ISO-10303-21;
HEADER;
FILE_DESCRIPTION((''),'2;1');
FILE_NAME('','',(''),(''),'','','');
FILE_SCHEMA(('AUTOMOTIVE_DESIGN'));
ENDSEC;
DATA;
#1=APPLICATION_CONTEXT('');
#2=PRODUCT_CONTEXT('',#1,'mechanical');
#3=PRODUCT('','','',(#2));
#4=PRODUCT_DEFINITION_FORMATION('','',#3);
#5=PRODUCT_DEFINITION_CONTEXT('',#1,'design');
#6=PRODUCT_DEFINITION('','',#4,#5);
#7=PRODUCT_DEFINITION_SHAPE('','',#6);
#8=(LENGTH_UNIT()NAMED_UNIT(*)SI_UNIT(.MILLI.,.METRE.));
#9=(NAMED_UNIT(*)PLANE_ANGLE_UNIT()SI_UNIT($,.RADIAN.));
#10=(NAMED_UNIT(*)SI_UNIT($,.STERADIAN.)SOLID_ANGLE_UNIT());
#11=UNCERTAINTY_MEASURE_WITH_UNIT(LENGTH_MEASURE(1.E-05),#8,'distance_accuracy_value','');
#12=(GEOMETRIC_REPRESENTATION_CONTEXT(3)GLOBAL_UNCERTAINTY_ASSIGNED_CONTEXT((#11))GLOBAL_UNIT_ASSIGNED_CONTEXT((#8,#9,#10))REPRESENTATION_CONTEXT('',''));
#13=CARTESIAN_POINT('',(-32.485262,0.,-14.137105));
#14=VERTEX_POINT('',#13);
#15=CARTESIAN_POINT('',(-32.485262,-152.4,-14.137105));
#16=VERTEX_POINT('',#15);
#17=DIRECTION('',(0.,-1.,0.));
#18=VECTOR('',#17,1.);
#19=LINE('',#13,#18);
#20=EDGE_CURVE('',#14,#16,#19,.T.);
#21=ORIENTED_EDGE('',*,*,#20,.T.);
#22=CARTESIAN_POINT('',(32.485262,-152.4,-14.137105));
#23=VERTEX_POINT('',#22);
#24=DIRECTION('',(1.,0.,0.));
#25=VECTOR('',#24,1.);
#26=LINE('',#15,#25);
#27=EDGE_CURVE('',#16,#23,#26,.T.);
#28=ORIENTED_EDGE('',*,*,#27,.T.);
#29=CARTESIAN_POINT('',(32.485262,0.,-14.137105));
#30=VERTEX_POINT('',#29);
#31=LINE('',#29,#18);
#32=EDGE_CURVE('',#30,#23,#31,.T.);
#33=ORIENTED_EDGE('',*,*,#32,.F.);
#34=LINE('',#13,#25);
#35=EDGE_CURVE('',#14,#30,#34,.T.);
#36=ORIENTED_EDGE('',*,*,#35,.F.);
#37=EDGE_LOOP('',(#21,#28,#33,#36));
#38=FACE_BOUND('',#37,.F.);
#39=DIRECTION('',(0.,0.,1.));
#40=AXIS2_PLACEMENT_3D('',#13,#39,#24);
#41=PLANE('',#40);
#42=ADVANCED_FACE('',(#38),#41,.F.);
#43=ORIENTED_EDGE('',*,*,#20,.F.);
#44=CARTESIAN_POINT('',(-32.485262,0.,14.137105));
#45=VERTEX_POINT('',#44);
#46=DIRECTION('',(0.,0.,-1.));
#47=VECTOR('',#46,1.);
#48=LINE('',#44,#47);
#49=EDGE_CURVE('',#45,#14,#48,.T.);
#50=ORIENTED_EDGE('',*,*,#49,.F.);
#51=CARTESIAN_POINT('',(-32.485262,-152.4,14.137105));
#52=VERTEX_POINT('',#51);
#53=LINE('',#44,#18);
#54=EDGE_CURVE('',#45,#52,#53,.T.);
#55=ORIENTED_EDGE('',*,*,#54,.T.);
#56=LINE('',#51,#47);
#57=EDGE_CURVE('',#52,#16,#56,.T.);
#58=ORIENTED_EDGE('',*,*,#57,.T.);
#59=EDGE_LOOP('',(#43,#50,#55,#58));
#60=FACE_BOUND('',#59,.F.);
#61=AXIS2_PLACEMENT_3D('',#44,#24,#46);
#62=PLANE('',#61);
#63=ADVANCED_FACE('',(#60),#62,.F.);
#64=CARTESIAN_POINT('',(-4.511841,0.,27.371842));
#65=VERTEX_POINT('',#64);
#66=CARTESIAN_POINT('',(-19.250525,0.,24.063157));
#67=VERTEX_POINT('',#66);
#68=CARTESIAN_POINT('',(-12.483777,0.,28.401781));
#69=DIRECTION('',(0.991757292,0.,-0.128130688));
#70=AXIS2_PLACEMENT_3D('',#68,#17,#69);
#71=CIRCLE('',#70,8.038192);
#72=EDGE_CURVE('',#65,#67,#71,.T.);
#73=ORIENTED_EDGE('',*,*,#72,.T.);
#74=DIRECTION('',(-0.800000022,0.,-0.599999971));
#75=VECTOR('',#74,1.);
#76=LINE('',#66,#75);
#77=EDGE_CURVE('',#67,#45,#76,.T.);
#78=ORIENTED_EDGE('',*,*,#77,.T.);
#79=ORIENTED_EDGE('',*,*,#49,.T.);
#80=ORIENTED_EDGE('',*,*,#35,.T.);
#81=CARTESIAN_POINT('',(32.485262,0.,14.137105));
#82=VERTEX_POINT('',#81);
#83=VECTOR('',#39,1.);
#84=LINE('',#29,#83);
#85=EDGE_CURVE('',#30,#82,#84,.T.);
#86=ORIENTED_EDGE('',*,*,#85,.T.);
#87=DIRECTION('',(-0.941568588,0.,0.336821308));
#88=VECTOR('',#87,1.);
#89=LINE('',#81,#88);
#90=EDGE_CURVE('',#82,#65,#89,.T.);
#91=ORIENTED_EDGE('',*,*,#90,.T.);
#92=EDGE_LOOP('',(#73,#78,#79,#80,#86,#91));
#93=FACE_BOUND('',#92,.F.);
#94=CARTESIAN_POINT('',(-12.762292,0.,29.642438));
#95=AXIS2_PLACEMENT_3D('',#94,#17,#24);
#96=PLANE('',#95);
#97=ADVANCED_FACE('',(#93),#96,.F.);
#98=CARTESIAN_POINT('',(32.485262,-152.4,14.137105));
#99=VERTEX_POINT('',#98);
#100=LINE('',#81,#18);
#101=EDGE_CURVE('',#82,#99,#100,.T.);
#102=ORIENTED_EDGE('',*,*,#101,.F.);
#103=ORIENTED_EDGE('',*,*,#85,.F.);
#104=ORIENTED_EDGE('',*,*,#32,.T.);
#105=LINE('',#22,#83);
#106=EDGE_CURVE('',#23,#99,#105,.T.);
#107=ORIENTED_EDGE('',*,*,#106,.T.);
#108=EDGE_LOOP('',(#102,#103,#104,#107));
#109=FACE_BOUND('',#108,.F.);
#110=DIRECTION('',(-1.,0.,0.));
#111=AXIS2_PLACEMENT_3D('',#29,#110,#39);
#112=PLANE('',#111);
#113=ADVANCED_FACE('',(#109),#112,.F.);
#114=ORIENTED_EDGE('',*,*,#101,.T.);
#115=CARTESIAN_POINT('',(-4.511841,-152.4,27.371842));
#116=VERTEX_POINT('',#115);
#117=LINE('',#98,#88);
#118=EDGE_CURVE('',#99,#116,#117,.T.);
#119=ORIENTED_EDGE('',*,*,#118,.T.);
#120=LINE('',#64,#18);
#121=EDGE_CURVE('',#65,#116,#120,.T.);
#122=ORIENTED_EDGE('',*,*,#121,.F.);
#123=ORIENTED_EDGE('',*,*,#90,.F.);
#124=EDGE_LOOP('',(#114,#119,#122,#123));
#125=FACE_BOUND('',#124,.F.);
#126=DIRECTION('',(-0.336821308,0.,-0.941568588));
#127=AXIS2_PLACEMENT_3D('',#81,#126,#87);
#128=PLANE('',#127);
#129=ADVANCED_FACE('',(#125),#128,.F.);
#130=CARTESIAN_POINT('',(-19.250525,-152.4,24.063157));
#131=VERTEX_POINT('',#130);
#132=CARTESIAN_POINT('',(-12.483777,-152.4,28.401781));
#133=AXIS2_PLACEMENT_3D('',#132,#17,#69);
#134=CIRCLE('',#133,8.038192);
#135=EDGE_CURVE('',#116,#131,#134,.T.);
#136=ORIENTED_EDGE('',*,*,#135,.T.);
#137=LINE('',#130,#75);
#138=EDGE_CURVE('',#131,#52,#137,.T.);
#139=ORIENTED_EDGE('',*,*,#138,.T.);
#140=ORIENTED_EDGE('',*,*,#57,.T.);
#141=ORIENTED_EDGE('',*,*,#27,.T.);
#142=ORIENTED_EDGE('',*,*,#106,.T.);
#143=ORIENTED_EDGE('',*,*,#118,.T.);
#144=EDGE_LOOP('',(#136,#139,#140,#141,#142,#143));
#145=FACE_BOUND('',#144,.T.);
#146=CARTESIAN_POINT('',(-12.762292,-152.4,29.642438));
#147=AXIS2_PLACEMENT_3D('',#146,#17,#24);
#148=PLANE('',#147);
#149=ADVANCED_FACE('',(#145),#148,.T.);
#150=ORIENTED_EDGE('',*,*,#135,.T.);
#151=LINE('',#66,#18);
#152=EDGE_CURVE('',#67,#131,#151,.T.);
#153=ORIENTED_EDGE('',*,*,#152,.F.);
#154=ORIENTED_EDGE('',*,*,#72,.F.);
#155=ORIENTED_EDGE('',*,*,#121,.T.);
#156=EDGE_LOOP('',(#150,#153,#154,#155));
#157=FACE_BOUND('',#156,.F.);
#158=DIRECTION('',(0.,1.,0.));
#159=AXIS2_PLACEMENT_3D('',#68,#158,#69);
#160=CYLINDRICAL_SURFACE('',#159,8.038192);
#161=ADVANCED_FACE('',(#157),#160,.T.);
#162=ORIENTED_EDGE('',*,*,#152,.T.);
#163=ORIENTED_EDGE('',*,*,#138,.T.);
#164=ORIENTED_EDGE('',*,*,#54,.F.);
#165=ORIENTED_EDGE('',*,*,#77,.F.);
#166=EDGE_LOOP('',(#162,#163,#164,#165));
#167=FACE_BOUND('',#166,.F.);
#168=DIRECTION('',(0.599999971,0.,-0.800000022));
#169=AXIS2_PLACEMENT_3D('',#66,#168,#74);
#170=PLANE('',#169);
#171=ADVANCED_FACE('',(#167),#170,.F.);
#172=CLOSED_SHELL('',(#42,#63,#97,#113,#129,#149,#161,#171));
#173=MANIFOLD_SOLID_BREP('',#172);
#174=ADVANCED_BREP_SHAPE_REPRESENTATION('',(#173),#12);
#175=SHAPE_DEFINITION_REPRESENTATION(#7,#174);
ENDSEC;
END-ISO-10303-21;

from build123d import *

# Parameters (mm, degrees)
F1_DEPTH = 152.4


with BuildPart() as f1:
    # F0 (on Front) → F1 (new body)
    with BuildSketch(Plane.XZ):
        with BuildLine():
            Line((-19.250525, 24.063157), (-4.511841, 27.371842))
            ThreePointArc((-4.511841, 27.371842), (-14.24445, 36.244776), (-19.250525, 24.063157))
        make_face()
        with BuildLine():
            Line((32.485262, -14.137105), (32.485262, 14.137105))
            ThreePointArc((32.485262, 14.137105), (28.009366, 7.175351), (23.688374, 0.116408))
            ThreePointArc((23.688374, 0.116408), (28.056379, -7.029135), (32.485262, -14.137105))
        make_face()
        with BuildLine():
            ThreePointArc((0, 0), (-6.721515, -0.179646), (-13.056424, -2.433521))
            ThreePointArc((-13.056424, -2.433521), (-6.123823, -3.386405), (0, 0))
        make_face()
        Polygon((-32.485262, 14.137105), (32.485262, 14.137105), (-4.511841, 27.371842), (-19.250525, 24.063157), align=None)
        with BuildLine():
            ThreePointArc((-19.250525, 7.519737), (-26.648968, 9.266272), (-32.485262, 14.137105))
            Line((-32.485262, 14.137105), (-32.485262, -14.137105))
            ThreePointArc((-32.485262, -14.137105), (-26.648968, -9.266272), (-19.250525, -7.519737))
            Line((-19.250525, -7.519737), (-19.250525, 7.519737))
        make_face()
        with BuildLine():
            Line((19.250525, -7.519737), (19.250525, 7.519737))
            ThreePointArc((19.250525, 7.519737), (17.388409, 1.367581), (12.42717, -2.719301))
            ThreePointArc((12.42717, -2.719301), (16.027978, -4.850689), (19.250525, -7.519737))
        make_face()
        with BuildLine():
            ThreePointArc((19.250525, -7.519737), (21.446943, -3.688584), (23.688374, 0.116408))
            ThreePointArc((23.688374, 0.116408), (21.461302, 3.813189), (19.250525, 7.519737))
            Line((19.250525, 7.519737), (19.250525, -7.519737))
        make_face()
        with BuildLine():
            ThreePointArc((-13.056424, -2.433521), (-17.575556, 1.65812), (-19.250525, 7.519737))
            Line((-19.250525, 7.519737), (-19.250525, -7.519737))
            ThreePointArc((-19.250525, -7.519737), (-16.393398, -4.684446), (-13.056424, -2.433521))
        make_face()
        with BuildLine():
            Line((-32.485262, -14.137105), (32.485262, -14.137105))
            ThreePointArc((32.485262, -14.137105), (28.056379, -7.029135), (23.688374, 0.116408))
            ThreePointArc((23.688374, 0.116408), (21.446943, -3.688584), (19.250525, -7.519737))
            Line((19.250525, -7.519737), (-19.250525, -7.519737))
            ThreePointArc((-19.250525, -7.519737), (-26.648968, -9.266272), (-32.485262, -14.137105))
        make_face()
        with BuildLine():
            ThreePointArc((23.688374, 0.116408), (28.009366, 7.175351), (32.485262, 14.137105))
            Line((32.485262, 14.137105), (-32.485262, 14.137105))
            ThreePointArc((-32.485262, 14.137105), (-26.648968, 9.266272), (-19.250525, 7.519737))
            Line((-19.250525, 7.519737), (19.250525, 7.519737))
            ThreePointArc((19.250525, 7.519737), (21.461302, 3.813189), (23.688374, 0.116408))
        make_face()
        with BuildLine():
            Line((-19.250525, -7.519737), (19.250525, -7.519737))
            ThreePointArc((19.250525, -7.519737), (16.027978, -4.850689), (12.42717, -2.719301))
            ThreePointArc((12.42717, -2.719301), (5.785105, -3.317798), (0, 0))
            ThreePointArc((0, 0), (-6.123823, -3.386405), (-13.056424, -2.433521))
            ThreePointArc((-13.056424, -2.433521), (-16.393398, -4.684446), (-19.250525, -7.519737))
        make_face()
        with BuildLine():
            Line((19.250525, 7.519737), (-19.250525, 7.519737))
            ThreePointArc((-19.250525, 7.519737), (-17.575556, 1.65812), (-13.056424, -2.433521))
            ThreePointArc((-13.056424, -2.433521), (-6.721515, -0.179646), (0, 0))
            ThreePointArc((0, 0), (5.785105, -3.317798), (12.42717, -2.719301))
            ThreePointArc((12.42717, -2.719301), (17.388409, 1.367581), (19.250525, 7.519737))
        make_face()
    extrude(amount=F1_DEPTH)


solid = f1.part
